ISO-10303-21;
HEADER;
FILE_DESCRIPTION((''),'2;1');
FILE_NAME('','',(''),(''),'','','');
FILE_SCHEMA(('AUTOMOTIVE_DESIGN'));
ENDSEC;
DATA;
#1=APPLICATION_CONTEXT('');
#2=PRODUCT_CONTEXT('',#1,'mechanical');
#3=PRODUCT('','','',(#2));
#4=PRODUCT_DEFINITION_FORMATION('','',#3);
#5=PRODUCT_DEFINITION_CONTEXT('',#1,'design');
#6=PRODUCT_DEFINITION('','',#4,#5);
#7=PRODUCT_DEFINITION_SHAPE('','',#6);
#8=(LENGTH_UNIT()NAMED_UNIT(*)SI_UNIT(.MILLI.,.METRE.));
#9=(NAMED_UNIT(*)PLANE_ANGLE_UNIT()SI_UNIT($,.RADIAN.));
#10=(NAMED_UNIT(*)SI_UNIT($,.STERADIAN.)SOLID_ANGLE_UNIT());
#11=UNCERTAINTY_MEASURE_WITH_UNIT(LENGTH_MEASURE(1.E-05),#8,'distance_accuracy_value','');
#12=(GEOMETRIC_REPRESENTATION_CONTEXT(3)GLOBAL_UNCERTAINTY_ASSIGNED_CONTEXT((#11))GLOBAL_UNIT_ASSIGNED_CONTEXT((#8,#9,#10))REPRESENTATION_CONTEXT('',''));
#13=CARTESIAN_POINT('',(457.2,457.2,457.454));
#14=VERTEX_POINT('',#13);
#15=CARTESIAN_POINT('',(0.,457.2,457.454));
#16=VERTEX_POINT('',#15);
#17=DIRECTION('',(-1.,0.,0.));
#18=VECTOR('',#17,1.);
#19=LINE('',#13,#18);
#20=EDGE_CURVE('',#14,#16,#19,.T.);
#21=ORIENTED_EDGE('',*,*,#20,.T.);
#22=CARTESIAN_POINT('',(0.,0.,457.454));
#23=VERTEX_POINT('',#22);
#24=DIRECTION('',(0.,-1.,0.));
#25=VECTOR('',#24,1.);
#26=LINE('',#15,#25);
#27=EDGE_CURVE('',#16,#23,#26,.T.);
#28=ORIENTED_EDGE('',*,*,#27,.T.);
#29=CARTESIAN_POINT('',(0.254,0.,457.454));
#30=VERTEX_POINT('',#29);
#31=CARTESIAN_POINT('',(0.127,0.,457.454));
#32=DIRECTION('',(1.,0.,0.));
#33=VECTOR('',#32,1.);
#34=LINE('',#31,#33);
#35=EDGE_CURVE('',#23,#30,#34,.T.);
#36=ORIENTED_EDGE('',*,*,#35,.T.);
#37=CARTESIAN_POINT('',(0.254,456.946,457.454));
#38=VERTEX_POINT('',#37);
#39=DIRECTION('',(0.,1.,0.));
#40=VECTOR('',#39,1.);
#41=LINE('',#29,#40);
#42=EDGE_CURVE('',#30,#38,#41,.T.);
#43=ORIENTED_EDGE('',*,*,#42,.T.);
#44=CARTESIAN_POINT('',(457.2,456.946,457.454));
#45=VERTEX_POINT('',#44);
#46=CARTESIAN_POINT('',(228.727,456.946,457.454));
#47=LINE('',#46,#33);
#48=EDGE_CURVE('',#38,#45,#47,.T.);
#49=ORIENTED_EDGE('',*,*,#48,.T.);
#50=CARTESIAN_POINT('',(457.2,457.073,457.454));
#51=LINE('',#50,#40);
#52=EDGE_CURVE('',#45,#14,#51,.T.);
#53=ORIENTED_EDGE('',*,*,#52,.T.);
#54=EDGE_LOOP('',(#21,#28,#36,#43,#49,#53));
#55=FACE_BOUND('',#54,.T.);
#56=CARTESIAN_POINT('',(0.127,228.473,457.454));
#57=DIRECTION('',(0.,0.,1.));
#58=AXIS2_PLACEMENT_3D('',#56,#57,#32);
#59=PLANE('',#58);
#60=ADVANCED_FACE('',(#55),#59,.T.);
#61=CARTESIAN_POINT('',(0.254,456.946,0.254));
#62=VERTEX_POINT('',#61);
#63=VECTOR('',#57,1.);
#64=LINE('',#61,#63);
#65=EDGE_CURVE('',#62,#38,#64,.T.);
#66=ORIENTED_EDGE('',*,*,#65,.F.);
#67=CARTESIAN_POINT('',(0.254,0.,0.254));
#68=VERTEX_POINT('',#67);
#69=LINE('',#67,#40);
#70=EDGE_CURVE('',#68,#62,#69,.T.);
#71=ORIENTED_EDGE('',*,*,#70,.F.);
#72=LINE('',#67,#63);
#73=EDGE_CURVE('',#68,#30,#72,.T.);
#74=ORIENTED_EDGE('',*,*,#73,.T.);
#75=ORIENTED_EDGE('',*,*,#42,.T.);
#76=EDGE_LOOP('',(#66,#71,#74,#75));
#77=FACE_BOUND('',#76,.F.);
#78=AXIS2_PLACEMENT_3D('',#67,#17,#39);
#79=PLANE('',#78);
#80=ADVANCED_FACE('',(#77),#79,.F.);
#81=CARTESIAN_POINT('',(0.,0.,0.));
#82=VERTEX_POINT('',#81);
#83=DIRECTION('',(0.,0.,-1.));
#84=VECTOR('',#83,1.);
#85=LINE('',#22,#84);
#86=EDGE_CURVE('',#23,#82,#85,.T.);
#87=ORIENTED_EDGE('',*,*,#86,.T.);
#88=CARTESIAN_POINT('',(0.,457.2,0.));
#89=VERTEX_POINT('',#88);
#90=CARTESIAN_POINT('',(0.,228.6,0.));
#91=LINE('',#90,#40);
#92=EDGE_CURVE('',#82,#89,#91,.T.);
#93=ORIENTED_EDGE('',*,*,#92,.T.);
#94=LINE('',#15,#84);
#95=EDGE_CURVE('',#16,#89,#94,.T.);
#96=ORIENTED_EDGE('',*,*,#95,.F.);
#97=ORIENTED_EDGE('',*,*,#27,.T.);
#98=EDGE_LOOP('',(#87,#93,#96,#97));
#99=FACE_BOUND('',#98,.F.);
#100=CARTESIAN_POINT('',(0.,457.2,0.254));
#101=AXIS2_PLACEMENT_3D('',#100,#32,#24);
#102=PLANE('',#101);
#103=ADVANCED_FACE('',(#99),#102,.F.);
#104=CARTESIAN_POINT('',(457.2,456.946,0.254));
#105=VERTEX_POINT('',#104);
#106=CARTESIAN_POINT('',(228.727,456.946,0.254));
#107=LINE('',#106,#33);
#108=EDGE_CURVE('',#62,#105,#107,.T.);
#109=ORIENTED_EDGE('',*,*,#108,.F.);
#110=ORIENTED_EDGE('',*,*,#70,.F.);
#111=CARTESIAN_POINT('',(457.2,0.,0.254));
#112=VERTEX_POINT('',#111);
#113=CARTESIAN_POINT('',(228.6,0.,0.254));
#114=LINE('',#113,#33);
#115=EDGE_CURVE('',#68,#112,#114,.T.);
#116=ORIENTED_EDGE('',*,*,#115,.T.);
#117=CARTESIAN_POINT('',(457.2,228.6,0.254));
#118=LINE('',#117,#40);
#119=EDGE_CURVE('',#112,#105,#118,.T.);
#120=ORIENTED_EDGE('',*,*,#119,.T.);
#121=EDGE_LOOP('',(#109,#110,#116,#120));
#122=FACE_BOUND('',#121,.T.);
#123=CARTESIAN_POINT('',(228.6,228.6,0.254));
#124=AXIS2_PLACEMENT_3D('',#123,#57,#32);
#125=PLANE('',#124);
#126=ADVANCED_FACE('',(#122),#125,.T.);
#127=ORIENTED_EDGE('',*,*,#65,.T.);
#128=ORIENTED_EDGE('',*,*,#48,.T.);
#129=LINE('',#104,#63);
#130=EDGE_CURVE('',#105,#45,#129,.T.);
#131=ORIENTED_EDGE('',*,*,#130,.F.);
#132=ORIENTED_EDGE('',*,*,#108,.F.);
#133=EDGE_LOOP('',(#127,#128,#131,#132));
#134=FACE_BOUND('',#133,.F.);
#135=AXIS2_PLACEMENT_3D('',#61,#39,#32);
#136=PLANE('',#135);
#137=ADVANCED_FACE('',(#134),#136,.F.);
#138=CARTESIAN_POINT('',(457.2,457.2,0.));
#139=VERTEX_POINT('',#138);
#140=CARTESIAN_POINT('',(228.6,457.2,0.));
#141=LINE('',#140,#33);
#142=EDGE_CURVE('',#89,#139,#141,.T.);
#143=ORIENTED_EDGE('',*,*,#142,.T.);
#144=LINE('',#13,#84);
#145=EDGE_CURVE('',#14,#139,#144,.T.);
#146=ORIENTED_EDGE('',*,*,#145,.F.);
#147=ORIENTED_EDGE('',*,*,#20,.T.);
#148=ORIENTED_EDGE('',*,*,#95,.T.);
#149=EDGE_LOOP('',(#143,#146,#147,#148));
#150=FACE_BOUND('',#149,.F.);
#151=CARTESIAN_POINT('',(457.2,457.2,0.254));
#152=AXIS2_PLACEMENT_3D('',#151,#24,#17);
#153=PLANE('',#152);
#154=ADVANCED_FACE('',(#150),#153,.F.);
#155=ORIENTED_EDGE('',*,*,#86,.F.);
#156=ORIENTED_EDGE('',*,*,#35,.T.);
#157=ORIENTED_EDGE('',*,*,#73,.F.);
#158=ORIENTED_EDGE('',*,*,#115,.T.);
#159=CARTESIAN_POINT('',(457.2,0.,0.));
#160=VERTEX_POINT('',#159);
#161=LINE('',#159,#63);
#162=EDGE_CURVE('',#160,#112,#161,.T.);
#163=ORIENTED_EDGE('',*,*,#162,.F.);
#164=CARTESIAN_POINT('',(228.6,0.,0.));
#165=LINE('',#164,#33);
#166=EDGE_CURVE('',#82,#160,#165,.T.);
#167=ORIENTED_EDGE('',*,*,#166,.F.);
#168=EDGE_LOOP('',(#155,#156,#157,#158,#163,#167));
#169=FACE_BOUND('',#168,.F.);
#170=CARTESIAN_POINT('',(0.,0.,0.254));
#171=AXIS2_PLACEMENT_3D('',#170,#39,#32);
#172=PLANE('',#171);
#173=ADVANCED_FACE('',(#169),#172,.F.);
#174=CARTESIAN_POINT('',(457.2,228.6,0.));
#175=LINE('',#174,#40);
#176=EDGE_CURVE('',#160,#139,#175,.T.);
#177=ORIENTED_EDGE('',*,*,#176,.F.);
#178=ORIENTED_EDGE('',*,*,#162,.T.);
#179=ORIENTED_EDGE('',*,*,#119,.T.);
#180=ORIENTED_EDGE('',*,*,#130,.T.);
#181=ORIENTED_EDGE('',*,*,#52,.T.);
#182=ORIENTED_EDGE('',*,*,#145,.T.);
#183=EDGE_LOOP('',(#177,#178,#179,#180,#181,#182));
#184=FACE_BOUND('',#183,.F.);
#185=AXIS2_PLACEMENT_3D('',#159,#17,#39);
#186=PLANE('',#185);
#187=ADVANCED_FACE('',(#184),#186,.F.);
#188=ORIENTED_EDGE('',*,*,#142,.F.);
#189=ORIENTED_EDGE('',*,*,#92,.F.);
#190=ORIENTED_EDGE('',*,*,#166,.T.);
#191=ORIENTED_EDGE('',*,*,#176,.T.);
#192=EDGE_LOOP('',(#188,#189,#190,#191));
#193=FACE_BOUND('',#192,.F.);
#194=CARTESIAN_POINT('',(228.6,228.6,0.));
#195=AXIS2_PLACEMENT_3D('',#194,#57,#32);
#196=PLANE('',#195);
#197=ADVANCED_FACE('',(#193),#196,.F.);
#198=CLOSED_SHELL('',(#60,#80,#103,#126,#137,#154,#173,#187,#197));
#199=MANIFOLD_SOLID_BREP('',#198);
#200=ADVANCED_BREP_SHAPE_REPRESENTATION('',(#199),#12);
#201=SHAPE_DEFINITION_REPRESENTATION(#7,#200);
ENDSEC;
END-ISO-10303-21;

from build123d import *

# Parameters (mm, degrees)
F0_W     = 457.2
F0_H     = 457.2
F1_DEPTH = 0.254
F2_W     = 0.254
F2_H     = 456.946
F2_H_2   = 0.254
F2_W_2   = 456.946
F3_DEPTH = 457.2


with BuildPart() as f1:
    # F0 (on Top) → F1 (new body)
    with BuildSketch(Plane.XY):
        with Locations((228.6, 228.6)):
            Rectangle(F0_W, F0_H)
    extrude(amount=F1_DEPTH)

    # F2 (on face) → F3 (join)
    with BuildSketch(Plane.XY.offset(0.254)):
        with Locations((0.127, 228.473)):
            Rectangle(F2_W, F2_H)
        with Locations((0.127, 457.073)):
            Rectangle(F2_W, F2_H_2)
        with Locations((228.727, 457.073)):
            Rectangle(F2_W_2, F2_H_2)
    extrude(amount=F3_DEPTH)


solid = f1.part
